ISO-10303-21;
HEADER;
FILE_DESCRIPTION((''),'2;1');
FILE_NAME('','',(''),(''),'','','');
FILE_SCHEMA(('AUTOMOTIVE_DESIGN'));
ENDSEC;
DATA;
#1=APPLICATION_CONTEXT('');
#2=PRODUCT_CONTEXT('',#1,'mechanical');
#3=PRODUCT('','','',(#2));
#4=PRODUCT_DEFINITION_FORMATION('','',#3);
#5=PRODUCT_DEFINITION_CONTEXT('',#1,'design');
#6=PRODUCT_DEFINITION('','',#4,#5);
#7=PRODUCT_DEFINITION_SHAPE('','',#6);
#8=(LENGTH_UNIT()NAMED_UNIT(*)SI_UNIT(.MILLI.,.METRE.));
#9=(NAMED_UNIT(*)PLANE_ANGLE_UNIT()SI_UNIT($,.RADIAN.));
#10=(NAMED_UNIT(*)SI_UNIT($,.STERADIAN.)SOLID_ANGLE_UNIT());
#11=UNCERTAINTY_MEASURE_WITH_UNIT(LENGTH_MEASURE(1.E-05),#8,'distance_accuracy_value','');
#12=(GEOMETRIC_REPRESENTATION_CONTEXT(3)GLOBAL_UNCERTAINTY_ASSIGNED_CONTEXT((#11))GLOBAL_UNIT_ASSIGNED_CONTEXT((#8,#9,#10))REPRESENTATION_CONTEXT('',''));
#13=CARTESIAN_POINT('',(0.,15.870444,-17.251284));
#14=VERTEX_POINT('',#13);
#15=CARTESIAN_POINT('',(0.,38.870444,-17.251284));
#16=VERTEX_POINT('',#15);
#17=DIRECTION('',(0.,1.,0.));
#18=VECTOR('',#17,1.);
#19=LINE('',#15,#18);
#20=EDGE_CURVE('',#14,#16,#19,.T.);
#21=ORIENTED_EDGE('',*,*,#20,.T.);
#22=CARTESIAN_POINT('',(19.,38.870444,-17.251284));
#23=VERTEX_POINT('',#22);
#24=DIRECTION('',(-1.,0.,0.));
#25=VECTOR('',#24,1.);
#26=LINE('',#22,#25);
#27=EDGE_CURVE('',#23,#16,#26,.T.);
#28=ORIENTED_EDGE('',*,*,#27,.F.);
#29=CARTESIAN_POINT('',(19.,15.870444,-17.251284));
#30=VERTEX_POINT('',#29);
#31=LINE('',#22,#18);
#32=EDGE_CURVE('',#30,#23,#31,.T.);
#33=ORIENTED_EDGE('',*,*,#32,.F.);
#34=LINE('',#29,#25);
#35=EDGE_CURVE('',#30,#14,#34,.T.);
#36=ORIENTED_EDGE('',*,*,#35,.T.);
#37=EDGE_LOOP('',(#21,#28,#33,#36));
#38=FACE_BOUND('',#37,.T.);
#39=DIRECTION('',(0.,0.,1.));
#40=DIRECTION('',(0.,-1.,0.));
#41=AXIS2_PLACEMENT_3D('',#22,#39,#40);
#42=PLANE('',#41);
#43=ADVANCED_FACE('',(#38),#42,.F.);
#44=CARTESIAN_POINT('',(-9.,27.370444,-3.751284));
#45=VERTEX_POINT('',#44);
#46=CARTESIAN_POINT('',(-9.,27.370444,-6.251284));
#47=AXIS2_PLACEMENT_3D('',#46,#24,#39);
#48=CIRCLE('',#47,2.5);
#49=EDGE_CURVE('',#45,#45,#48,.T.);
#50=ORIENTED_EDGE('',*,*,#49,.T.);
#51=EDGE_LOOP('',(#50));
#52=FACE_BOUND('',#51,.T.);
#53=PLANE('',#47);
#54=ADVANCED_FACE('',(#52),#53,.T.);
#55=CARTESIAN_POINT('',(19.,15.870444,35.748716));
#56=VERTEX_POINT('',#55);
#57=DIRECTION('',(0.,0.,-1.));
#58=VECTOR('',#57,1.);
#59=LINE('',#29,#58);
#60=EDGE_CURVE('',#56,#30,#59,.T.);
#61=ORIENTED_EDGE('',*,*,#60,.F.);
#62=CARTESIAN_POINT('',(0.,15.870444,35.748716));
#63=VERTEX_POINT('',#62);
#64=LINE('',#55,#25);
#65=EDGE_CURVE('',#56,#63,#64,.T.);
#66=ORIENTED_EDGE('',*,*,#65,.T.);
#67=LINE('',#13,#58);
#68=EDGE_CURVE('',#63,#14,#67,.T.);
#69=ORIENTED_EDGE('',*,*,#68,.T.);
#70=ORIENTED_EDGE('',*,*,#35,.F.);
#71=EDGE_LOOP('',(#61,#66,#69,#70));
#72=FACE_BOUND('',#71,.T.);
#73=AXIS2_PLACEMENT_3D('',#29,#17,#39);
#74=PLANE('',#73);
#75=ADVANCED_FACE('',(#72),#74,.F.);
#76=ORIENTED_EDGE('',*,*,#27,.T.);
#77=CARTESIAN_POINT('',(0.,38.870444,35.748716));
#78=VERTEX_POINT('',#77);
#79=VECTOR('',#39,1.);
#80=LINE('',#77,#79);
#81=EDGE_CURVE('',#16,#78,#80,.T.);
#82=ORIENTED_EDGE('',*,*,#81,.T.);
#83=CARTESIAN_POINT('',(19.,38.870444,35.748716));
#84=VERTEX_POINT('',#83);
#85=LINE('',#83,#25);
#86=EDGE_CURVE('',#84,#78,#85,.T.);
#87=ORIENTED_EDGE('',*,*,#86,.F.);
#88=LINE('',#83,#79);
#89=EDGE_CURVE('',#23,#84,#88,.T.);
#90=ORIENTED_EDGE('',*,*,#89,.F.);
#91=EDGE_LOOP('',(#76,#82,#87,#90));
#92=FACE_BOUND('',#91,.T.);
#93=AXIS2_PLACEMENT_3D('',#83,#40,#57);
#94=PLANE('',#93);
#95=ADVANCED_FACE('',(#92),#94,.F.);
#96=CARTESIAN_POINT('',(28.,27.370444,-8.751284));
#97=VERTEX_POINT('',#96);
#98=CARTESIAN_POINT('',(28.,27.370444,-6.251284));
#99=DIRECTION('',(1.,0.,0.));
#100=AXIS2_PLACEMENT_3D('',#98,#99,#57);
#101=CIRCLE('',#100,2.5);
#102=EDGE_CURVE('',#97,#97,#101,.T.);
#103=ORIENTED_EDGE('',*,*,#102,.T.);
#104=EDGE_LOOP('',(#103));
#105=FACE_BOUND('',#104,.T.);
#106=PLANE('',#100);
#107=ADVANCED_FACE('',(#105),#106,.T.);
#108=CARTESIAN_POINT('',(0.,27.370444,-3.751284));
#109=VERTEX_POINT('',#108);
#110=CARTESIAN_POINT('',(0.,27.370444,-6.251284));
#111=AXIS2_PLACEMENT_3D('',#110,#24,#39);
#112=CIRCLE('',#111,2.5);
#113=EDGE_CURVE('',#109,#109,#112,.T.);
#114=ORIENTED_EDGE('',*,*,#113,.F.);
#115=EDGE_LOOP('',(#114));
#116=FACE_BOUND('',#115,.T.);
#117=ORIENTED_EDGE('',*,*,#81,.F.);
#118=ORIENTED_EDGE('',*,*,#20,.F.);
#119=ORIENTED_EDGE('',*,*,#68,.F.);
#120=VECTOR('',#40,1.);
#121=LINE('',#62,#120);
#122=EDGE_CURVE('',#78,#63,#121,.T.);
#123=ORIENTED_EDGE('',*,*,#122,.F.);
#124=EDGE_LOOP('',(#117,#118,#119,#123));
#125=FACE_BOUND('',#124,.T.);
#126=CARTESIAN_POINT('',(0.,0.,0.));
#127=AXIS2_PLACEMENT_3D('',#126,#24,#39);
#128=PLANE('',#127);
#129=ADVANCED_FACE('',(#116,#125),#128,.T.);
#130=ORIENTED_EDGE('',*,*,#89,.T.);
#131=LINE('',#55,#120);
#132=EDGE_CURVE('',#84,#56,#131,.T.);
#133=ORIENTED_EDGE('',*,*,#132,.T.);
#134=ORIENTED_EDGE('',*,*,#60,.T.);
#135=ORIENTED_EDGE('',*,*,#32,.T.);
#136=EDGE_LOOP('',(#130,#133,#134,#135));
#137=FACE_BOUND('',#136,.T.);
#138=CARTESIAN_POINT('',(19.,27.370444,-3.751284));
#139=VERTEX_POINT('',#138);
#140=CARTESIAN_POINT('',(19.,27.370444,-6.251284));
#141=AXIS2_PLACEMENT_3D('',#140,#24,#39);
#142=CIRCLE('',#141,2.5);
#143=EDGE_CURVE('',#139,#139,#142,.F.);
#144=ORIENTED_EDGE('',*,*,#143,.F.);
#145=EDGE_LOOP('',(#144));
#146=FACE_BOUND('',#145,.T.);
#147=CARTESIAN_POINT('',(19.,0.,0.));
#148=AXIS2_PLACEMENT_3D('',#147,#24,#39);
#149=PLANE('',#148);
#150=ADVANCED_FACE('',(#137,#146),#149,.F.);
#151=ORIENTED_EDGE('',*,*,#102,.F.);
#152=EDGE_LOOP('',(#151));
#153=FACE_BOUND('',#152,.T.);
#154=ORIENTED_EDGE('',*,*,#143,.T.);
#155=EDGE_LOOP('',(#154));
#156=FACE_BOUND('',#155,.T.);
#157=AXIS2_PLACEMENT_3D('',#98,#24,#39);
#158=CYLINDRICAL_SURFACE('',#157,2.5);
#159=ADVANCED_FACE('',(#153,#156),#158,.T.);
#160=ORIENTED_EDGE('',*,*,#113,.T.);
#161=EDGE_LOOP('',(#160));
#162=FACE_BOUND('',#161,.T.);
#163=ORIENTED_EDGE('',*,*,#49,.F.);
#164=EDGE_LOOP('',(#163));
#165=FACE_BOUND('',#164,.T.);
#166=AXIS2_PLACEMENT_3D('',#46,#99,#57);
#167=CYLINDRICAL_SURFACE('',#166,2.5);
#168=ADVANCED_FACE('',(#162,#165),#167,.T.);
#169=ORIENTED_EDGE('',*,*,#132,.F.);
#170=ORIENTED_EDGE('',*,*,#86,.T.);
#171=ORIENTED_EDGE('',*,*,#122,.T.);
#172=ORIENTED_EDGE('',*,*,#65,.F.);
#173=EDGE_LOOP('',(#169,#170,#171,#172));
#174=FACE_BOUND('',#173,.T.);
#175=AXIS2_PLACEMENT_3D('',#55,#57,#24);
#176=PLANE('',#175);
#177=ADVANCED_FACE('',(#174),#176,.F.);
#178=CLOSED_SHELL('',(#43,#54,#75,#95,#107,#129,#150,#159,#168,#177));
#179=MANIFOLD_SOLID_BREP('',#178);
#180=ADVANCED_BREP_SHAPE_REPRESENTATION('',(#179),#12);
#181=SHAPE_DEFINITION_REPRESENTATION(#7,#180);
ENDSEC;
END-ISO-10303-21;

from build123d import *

# Parameters (mm, degrees)
SKETCH_2_W      = 53
SKETCH_2_H      = 23
EXTRUDE_1_DEPTH = 19
SKETCH_3_R      = 2.5
EXTRUDE_2_DEPTH = 9
EXTRUDE_START   = 9
SKETCH_7_R      = 2.5
EXTRUDE_5_DEPTH = 9


with BuildPart() as part:
    # 草图2 → 凸台-拉伸1 (new body)
    with BuildSketch(Plane(origin=(0, 0, 0), x_dir=(0, 0, -1), z_dir=(1, 0, 0))):
        with Locations((-9.248715633, 27.370444178)):
            Rectangle(SKETCH_2_W, SKETCH_2_H)
    extrude(amount=EXTRUDE_1_DEPTH)

    # 草图3 → 凸台-拉伸2 (add)
    with BuildSketch(Plane(origin=(19, 0, 0), x_dir=(0, 0, -1), z_dir=(1, 0, 0))):
        with Locations(Location((6.251284367, 27.370444178, 0), (0, 0, 180))):
            Circle(SKETCH_3_R)
    extrude(amount=EXTRUDE_2_DEPTH)

    # 草图7 → 凸台-拉伸5 (add)
    with BuildSketch(Plane.ZY.offset(EXTRUDE_START)):
        with Locations((-6.251284367, 27.370444178)):
            Circle(SKETCH_7_R)
    extrude(amount=-EXTRUDE_5_DEPTH)


solid = part.part
